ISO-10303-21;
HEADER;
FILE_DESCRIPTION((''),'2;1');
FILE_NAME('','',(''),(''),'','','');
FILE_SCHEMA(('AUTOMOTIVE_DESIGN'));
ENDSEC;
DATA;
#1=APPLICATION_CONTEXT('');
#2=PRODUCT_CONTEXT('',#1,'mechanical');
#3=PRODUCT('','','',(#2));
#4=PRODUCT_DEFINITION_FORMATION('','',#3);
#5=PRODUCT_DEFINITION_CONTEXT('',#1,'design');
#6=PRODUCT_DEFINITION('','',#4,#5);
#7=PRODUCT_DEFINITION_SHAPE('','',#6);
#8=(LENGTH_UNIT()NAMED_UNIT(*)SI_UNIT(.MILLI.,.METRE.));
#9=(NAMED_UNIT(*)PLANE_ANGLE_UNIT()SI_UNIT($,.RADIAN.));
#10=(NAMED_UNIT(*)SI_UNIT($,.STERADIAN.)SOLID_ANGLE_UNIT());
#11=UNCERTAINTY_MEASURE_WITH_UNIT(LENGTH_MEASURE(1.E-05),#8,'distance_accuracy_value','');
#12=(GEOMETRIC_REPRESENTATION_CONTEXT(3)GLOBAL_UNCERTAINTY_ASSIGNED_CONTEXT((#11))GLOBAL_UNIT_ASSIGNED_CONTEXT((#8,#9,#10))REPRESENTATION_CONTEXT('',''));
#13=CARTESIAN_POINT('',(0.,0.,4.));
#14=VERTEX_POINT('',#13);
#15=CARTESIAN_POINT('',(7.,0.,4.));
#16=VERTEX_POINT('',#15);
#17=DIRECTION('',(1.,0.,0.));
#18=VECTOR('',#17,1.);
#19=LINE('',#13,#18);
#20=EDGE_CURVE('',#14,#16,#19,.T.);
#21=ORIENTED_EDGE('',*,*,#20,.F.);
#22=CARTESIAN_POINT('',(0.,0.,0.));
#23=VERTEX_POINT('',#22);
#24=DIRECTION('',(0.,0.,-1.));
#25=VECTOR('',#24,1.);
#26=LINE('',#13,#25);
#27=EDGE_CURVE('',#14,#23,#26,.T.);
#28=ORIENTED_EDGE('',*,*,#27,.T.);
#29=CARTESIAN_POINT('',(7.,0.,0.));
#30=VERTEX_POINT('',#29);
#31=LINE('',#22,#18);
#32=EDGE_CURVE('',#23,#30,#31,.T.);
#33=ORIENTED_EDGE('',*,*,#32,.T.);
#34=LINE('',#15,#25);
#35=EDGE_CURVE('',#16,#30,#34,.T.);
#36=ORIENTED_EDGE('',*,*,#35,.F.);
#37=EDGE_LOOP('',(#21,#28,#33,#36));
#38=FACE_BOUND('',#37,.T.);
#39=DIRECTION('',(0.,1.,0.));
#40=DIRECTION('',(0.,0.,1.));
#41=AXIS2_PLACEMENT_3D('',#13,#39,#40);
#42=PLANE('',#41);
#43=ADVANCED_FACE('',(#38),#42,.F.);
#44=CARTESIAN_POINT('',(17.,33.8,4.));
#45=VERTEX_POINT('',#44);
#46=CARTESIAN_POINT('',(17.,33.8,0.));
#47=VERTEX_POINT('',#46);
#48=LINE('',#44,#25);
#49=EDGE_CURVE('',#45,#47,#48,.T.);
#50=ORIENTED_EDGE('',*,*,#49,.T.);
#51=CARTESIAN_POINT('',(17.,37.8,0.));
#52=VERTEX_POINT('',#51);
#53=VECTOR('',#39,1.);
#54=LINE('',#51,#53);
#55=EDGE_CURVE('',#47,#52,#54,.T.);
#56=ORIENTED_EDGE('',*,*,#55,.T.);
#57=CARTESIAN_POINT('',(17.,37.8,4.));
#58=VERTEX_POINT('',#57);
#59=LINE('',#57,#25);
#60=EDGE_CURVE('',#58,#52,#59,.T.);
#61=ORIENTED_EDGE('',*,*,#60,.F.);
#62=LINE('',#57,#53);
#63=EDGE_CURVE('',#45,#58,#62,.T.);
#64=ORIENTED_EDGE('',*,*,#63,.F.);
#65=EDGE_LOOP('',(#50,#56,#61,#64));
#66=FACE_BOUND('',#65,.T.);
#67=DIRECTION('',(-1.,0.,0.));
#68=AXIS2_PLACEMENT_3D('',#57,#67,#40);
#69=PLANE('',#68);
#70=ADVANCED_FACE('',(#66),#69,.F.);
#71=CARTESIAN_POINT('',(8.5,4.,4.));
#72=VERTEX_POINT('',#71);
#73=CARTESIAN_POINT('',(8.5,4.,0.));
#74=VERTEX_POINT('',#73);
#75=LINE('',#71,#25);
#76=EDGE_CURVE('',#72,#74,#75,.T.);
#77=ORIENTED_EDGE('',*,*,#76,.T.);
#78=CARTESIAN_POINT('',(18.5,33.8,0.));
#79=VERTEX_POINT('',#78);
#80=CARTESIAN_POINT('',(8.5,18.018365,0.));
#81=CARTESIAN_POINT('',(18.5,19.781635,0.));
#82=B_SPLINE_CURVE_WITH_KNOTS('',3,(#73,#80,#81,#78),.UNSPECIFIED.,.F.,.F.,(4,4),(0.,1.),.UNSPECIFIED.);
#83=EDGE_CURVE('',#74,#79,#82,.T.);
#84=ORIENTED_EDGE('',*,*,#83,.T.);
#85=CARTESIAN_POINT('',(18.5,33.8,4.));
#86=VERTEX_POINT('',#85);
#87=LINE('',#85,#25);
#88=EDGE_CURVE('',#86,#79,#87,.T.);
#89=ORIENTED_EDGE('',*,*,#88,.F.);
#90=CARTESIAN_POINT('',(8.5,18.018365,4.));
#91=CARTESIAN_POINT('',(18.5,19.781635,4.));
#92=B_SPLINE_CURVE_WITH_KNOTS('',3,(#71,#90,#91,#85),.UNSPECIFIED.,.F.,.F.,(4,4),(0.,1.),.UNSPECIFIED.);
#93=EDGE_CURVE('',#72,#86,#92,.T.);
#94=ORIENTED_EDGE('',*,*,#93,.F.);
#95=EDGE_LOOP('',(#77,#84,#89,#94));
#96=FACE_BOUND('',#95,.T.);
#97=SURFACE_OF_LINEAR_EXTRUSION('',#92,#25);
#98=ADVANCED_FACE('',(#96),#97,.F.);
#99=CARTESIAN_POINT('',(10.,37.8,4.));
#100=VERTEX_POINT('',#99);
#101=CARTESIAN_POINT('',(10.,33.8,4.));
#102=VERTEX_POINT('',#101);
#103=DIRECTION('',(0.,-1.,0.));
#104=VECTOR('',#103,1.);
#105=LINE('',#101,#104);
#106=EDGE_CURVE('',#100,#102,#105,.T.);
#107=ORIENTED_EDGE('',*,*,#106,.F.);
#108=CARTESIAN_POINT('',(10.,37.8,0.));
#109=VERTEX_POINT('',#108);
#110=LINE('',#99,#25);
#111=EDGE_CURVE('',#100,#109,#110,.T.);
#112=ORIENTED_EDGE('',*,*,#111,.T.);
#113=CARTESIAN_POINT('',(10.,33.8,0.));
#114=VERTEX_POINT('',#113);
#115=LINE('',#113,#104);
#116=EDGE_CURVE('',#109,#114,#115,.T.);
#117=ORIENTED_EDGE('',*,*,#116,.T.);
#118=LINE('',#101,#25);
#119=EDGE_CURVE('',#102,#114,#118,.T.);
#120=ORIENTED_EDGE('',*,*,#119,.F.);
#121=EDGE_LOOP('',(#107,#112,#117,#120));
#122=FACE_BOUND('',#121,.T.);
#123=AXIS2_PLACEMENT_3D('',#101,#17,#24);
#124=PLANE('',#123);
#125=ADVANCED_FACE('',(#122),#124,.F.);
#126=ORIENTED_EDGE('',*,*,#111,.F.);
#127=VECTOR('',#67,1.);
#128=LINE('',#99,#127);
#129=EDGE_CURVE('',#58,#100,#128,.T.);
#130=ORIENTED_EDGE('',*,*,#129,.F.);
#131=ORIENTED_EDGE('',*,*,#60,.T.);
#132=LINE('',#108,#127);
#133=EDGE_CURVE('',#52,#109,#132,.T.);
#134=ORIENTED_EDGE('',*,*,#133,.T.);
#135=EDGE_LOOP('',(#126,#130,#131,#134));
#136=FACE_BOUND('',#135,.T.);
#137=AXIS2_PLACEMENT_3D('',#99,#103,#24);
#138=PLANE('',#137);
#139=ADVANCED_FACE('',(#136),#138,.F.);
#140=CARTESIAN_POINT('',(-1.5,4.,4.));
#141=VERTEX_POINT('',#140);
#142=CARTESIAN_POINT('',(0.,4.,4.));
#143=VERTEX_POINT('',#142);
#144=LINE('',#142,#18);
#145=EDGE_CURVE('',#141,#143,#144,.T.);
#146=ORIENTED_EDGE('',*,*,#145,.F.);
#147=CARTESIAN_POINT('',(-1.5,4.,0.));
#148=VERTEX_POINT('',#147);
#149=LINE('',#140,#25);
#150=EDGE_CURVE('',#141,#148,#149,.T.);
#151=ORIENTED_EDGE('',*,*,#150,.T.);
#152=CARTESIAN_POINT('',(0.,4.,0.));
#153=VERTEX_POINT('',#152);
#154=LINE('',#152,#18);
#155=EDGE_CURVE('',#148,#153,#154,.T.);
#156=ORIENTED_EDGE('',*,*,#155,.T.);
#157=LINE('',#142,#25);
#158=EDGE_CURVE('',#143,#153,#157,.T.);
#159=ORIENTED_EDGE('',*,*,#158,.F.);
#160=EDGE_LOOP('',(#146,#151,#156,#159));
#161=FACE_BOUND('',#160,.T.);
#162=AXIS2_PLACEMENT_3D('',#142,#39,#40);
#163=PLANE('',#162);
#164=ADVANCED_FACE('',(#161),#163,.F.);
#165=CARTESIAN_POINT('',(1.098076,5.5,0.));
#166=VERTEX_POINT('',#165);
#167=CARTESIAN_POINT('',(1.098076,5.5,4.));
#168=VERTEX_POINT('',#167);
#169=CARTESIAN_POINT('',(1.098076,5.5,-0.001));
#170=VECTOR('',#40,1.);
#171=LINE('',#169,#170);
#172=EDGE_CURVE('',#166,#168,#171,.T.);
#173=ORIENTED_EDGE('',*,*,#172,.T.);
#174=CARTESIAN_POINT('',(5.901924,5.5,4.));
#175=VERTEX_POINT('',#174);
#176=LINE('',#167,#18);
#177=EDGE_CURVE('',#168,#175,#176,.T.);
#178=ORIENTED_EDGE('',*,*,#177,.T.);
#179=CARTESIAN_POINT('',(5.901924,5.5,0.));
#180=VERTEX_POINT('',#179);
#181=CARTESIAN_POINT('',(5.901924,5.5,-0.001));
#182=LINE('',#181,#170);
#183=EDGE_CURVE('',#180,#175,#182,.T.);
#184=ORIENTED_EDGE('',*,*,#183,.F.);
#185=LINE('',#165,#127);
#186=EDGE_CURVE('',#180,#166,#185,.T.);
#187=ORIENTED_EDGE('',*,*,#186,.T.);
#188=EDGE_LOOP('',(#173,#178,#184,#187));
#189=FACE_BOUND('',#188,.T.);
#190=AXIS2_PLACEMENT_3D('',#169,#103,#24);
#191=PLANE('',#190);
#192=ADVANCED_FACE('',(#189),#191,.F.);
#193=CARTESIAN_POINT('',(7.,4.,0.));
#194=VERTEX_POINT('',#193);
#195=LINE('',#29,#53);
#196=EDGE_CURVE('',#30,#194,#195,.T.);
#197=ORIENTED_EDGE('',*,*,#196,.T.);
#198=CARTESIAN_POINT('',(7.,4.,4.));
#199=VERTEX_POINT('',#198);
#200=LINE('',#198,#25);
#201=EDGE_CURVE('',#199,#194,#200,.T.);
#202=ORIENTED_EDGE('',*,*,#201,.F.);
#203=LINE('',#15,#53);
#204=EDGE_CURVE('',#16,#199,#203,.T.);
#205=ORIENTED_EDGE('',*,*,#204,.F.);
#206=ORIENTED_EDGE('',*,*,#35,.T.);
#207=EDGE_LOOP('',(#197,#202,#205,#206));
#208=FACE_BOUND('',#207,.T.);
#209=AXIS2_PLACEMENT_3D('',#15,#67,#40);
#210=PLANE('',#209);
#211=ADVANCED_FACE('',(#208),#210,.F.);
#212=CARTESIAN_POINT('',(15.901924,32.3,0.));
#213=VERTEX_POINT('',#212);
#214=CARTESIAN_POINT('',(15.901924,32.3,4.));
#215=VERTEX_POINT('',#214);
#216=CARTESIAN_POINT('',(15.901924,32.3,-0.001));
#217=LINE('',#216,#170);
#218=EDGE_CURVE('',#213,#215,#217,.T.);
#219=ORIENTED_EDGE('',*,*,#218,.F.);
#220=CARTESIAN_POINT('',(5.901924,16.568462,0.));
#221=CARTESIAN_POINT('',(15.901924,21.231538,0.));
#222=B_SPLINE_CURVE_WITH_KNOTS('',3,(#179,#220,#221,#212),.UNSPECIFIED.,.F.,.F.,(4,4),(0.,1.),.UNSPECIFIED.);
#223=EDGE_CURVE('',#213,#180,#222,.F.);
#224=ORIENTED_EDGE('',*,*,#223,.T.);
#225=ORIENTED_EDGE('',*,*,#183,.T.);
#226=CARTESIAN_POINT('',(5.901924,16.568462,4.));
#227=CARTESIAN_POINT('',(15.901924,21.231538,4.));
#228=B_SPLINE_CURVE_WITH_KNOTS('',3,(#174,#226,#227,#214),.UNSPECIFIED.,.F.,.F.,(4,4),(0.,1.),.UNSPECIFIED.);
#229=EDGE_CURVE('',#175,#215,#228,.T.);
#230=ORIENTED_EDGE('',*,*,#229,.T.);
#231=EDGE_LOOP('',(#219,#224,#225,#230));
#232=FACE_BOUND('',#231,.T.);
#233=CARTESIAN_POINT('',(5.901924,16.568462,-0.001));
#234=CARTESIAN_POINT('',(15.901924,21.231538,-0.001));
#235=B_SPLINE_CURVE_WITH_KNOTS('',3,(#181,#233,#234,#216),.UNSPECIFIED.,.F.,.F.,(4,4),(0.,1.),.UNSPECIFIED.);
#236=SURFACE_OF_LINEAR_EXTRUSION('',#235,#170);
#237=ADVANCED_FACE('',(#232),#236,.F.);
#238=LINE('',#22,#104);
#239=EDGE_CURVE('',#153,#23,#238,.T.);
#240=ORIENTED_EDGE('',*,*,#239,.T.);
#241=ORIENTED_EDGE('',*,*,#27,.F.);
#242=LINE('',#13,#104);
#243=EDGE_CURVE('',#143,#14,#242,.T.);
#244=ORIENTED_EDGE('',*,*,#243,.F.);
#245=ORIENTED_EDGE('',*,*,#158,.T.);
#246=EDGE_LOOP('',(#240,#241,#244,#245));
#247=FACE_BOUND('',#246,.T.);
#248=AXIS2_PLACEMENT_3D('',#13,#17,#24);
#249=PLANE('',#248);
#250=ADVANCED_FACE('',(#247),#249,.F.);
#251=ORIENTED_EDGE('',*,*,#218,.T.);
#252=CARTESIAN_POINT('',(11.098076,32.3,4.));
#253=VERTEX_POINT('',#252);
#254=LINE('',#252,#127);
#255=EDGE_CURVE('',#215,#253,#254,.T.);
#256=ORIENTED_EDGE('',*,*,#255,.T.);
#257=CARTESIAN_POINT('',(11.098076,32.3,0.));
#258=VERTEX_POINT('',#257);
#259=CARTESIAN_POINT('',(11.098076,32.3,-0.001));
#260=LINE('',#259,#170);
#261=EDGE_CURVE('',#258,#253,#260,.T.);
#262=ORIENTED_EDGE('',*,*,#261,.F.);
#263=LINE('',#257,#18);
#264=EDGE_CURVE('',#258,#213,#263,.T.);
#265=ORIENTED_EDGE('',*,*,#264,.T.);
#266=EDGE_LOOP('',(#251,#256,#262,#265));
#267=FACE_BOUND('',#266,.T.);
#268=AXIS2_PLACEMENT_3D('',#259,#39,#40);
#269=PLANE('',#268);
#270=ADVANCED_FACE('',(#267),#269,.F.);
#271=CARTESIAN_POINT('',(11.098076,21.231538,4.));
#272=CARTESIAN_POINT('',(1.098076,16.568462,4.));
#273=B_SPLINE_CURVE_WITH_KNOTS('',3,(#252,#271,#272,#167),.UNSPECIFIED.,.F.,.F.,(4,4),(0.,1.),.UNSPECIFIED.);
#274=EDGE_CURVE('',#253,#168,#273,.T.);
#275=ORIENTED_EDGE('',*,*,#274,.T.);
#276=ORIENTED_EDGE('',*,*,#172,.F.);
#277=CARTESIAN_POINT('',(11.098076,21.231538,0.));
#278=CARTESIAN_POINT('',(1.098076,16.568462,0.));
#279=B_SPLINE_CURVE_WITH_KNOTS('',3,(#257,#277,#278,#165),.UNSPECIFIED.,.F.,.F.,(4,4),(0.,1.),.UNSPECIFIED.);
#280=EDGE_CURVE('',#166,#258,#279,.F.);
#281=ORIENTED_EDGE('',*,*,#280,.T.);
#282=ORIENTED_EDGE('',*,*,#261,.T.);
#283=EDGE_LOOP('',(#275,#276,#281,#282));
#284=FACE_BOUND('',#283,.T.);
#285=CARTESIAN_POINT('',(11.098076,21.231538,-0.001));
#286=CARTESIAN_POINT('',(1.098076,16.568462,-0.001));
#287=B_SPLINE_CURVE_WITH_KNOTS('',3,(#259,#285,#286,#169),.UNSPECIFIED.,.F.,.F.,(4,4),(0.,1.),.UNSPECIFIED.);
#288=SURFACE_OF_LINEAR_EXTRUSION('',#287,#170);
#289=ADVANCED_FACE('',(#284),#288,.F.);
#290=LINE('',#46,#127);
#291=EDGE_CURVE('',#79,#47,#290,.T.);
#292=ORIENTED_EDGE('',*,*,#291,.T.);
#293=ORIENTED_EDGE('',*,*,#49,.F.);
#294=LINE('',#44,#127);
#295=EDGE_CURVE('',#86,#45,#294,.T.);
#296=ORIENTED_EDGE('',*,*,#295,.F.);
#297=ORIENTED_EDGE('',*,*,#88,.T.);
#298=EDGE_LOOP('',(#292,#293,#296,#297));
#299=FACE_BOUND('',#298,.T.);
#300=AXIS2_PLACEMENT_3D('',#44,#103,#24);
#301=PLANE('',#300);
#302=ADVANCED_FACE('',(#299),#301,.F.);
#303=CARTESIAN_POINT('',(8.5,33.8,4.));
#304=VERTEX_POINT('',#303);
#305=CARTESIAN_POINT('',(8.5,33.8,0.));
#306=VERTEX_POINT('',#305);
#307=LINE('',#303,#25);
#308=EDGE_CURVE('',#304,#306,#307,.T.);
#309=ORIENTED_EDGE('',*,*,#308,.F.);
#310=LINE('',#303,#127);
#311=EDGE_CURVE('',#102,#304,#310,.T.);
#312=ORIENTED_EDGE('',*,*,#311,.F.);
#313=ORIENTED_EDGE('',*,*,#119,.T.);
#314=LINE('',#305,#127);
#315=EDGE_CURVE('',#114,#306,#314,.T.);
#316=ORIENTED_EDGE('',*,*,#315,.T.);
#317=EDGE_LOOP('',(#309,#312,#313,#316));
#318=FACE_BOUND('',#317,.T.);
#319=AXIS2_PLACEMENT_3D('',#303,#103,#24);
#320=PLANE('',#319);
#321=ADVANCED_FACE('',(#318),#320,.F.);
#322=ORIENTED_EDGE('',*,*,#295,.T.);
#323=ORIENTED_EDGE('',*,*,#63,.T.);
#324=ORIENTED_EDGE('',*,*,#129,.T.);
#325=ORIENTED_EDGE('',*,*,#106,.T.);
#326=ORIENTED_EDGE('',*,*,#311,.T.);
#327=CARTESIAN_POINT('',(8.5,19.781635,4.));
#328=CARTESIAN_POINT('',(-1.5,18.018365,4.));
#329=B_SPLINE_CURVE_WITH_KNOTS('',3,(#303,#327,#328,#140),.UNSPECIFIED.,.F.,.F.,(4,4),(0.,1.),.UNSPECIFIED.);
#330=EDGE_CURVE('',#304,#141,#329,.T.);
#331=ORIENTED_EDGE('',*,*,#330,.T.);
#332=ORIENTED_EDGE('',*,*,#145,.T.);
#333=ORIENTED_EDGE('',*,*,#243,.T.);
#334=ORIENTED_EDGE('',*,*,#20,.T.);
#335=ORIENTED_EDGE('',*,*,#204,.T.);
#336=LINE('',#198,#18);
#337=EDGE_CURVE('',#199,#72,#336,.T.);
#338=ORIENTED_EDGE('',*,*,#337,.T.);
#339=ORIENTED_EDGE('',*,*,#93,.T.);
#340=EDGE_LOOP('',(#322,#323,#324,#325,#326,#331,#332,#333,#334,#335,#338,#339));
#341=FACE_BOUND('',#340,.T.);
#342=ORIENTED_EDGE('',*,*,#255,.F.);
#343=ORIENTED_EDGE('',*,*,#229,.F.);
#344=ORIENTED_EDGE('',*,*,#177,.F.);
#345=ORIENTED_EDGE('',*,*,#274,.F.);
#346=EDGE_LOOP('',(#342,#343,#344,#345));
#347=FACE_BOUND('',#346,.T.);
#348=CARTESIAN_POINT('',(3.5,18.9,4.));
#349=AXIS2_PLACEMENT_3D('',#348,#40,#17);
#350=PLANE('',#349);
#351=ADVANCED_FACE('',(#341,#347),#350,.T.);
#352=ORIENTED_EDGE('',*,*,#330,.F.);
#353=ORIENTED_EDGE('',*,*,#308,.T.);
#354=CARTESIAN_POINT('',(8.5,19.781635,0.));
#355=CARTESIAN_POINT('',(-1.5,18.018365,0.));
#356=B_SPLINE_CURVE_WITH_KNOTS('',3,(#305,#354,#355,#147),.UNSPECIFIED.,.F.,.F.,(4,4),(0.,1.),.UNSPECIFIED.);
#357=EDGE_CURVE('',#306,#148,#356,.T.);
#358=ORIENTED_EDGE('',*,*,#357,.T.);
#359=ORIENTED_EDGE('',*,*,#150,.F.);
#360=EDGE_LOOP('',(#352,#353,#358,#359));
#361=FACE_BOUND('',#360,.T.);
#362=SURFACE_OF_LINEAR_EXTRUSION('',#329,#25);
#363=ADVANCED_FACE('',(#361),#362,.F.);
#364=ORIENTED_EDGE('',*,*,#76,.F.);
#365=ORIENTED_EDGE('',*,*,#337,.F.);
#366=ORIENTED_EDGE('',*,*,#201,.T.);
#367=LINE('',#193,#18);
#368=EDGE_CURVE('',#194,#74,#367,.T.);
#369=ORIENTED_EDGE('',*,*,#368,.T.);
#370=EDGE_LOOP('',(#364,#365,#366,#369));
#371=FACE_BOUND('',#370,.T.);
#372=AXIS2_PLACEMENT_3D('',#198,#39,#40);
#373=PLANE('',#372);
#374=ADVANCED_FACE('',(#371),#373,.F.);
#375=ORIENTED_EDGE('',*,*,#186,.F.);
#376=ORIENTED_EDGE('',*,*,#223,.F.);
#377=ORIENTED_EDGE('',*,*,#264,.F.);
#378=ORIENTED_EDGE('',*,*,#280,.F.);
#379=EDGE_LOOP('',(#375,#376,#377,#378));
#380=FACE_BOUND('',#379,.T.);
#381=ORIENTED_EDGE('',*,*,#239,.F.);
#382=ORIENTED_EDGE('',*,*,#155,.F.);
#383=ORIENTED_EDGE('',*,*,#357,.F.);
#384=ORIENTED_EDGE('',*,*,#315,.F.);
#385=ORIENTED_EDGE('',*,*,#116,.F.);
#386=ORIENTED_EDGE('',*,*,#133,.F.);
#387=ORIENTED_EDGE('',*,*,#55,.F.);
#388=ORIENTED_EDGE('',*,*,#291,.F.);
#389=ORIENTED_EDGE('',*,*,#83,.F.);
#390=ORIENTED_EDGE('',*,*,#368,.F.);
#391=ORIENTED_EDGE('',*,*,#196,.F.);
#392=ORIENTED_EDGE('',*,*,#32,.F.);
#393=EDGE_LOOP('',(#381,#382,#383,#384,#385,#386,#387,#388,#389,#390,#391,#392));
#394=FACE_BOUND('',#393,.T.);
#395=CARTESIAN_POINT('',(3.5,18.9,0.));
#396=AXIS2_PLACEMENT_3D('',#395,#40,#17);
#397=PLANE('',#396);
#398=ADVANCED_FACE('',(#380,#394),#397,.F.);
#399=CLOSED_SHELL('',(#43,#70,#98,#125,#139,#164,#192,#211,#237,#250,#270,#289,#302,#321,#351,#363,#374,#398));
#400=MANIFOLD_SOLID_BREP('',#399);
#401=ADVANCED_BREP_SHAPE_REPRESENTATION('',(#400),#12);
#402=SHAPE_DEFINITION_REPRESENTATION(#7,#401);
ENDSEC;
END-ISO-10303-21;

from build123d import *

# Parameters (mm, degrees)
BOSS_EXTRU_1_DEPTH      = 4
ENL_V_MAT_EXTRU_1_REACH = 44.274


with BuildPart() as part:
    # Esquisse1 → Boss.-Extru.1 (new body)
    with BuildSketch(Plane.XY):
        with BuildLine():
            Line((0, 0), (7, 0))
            Line((7, 0), (7, 4))
            Line((7, 4), (8.5, 4))
            add(Edge.make_bspline(
                [(8.5, 4), (8.5, 18.018365096), (18.5, 19.781634904), (18.5, 33.8)],
                knots=[0, 0, 0, 0, 1, 1, 1, 1], degree=3))
            Line((18.5, 33.8), (17, 33.8))
            Line((17, 33.8), (17, 37.8))
            Line((17, 37.8), (10, 37.8))
            Line((10, 37.8), (10, 33.8))
            Line((10, 33.8), (8.5, 33.8))
            add(Edge.make_bspline(
                [(-1.5, 4), (-1.5, 18.018365096), (8.5, 19.781634904), (8.5, 33.8)],
                knots=[0, 0, 0, 0, 1, 1, 1, 1], degree=3))
            Line((-1.5, 4), (0, 4))
            Line((0, 4), (0, 0))
        make_face()
    extrude(amount=BOSS_EXTRU_1_DEPTH)

    # Esquisse2 → Enlèv. mat.-Extru.1 (cut, up to next)
    with BuildSketch(Plane.XY.offset(4), mode=Mode.PRIVATE) as enl_v_mat_extru_1_sk1:
        with BuildLine():
            Line((11.098076211, 32.3), (15.901923789, 32.3))
            add(Edge.make_bspline(
                [(5.901923789, 5.5), (5.901923789, 16.568461709), (15.901923789, 21.231538291), (15.901923789, 32.3)],
                knots=[0, 0, 0, 0, 1, 1, 1, 1], degree=3))
            Line((5.901923789, 5.5), (1.098076211, 5.5))
            add(Edge.make_bspline(
                [(1.098076211, 5.5), (1.098076211, 16.568461709), (11.098076211, 21.231538291), (11.098076211, 32.3)],
                knots=[0, 0, 0, 0, 1, 1, 1, 1], degree=3))
        make_face()
    enl_v_mat_extru_1_tool1 = extrude(enl_v_mat_extru_1_sk1.sketch, amount=-ENL_V_MAT_EXTRU_1_REACH, mode=Mode.PRIVATE) & part.part
    add(enl_v_mat_extru_1_tool1.solids().sort_by_distance((8.5, 18.9, 4))[0], mode=Mode.SUBTRACT)


solid = part.part
